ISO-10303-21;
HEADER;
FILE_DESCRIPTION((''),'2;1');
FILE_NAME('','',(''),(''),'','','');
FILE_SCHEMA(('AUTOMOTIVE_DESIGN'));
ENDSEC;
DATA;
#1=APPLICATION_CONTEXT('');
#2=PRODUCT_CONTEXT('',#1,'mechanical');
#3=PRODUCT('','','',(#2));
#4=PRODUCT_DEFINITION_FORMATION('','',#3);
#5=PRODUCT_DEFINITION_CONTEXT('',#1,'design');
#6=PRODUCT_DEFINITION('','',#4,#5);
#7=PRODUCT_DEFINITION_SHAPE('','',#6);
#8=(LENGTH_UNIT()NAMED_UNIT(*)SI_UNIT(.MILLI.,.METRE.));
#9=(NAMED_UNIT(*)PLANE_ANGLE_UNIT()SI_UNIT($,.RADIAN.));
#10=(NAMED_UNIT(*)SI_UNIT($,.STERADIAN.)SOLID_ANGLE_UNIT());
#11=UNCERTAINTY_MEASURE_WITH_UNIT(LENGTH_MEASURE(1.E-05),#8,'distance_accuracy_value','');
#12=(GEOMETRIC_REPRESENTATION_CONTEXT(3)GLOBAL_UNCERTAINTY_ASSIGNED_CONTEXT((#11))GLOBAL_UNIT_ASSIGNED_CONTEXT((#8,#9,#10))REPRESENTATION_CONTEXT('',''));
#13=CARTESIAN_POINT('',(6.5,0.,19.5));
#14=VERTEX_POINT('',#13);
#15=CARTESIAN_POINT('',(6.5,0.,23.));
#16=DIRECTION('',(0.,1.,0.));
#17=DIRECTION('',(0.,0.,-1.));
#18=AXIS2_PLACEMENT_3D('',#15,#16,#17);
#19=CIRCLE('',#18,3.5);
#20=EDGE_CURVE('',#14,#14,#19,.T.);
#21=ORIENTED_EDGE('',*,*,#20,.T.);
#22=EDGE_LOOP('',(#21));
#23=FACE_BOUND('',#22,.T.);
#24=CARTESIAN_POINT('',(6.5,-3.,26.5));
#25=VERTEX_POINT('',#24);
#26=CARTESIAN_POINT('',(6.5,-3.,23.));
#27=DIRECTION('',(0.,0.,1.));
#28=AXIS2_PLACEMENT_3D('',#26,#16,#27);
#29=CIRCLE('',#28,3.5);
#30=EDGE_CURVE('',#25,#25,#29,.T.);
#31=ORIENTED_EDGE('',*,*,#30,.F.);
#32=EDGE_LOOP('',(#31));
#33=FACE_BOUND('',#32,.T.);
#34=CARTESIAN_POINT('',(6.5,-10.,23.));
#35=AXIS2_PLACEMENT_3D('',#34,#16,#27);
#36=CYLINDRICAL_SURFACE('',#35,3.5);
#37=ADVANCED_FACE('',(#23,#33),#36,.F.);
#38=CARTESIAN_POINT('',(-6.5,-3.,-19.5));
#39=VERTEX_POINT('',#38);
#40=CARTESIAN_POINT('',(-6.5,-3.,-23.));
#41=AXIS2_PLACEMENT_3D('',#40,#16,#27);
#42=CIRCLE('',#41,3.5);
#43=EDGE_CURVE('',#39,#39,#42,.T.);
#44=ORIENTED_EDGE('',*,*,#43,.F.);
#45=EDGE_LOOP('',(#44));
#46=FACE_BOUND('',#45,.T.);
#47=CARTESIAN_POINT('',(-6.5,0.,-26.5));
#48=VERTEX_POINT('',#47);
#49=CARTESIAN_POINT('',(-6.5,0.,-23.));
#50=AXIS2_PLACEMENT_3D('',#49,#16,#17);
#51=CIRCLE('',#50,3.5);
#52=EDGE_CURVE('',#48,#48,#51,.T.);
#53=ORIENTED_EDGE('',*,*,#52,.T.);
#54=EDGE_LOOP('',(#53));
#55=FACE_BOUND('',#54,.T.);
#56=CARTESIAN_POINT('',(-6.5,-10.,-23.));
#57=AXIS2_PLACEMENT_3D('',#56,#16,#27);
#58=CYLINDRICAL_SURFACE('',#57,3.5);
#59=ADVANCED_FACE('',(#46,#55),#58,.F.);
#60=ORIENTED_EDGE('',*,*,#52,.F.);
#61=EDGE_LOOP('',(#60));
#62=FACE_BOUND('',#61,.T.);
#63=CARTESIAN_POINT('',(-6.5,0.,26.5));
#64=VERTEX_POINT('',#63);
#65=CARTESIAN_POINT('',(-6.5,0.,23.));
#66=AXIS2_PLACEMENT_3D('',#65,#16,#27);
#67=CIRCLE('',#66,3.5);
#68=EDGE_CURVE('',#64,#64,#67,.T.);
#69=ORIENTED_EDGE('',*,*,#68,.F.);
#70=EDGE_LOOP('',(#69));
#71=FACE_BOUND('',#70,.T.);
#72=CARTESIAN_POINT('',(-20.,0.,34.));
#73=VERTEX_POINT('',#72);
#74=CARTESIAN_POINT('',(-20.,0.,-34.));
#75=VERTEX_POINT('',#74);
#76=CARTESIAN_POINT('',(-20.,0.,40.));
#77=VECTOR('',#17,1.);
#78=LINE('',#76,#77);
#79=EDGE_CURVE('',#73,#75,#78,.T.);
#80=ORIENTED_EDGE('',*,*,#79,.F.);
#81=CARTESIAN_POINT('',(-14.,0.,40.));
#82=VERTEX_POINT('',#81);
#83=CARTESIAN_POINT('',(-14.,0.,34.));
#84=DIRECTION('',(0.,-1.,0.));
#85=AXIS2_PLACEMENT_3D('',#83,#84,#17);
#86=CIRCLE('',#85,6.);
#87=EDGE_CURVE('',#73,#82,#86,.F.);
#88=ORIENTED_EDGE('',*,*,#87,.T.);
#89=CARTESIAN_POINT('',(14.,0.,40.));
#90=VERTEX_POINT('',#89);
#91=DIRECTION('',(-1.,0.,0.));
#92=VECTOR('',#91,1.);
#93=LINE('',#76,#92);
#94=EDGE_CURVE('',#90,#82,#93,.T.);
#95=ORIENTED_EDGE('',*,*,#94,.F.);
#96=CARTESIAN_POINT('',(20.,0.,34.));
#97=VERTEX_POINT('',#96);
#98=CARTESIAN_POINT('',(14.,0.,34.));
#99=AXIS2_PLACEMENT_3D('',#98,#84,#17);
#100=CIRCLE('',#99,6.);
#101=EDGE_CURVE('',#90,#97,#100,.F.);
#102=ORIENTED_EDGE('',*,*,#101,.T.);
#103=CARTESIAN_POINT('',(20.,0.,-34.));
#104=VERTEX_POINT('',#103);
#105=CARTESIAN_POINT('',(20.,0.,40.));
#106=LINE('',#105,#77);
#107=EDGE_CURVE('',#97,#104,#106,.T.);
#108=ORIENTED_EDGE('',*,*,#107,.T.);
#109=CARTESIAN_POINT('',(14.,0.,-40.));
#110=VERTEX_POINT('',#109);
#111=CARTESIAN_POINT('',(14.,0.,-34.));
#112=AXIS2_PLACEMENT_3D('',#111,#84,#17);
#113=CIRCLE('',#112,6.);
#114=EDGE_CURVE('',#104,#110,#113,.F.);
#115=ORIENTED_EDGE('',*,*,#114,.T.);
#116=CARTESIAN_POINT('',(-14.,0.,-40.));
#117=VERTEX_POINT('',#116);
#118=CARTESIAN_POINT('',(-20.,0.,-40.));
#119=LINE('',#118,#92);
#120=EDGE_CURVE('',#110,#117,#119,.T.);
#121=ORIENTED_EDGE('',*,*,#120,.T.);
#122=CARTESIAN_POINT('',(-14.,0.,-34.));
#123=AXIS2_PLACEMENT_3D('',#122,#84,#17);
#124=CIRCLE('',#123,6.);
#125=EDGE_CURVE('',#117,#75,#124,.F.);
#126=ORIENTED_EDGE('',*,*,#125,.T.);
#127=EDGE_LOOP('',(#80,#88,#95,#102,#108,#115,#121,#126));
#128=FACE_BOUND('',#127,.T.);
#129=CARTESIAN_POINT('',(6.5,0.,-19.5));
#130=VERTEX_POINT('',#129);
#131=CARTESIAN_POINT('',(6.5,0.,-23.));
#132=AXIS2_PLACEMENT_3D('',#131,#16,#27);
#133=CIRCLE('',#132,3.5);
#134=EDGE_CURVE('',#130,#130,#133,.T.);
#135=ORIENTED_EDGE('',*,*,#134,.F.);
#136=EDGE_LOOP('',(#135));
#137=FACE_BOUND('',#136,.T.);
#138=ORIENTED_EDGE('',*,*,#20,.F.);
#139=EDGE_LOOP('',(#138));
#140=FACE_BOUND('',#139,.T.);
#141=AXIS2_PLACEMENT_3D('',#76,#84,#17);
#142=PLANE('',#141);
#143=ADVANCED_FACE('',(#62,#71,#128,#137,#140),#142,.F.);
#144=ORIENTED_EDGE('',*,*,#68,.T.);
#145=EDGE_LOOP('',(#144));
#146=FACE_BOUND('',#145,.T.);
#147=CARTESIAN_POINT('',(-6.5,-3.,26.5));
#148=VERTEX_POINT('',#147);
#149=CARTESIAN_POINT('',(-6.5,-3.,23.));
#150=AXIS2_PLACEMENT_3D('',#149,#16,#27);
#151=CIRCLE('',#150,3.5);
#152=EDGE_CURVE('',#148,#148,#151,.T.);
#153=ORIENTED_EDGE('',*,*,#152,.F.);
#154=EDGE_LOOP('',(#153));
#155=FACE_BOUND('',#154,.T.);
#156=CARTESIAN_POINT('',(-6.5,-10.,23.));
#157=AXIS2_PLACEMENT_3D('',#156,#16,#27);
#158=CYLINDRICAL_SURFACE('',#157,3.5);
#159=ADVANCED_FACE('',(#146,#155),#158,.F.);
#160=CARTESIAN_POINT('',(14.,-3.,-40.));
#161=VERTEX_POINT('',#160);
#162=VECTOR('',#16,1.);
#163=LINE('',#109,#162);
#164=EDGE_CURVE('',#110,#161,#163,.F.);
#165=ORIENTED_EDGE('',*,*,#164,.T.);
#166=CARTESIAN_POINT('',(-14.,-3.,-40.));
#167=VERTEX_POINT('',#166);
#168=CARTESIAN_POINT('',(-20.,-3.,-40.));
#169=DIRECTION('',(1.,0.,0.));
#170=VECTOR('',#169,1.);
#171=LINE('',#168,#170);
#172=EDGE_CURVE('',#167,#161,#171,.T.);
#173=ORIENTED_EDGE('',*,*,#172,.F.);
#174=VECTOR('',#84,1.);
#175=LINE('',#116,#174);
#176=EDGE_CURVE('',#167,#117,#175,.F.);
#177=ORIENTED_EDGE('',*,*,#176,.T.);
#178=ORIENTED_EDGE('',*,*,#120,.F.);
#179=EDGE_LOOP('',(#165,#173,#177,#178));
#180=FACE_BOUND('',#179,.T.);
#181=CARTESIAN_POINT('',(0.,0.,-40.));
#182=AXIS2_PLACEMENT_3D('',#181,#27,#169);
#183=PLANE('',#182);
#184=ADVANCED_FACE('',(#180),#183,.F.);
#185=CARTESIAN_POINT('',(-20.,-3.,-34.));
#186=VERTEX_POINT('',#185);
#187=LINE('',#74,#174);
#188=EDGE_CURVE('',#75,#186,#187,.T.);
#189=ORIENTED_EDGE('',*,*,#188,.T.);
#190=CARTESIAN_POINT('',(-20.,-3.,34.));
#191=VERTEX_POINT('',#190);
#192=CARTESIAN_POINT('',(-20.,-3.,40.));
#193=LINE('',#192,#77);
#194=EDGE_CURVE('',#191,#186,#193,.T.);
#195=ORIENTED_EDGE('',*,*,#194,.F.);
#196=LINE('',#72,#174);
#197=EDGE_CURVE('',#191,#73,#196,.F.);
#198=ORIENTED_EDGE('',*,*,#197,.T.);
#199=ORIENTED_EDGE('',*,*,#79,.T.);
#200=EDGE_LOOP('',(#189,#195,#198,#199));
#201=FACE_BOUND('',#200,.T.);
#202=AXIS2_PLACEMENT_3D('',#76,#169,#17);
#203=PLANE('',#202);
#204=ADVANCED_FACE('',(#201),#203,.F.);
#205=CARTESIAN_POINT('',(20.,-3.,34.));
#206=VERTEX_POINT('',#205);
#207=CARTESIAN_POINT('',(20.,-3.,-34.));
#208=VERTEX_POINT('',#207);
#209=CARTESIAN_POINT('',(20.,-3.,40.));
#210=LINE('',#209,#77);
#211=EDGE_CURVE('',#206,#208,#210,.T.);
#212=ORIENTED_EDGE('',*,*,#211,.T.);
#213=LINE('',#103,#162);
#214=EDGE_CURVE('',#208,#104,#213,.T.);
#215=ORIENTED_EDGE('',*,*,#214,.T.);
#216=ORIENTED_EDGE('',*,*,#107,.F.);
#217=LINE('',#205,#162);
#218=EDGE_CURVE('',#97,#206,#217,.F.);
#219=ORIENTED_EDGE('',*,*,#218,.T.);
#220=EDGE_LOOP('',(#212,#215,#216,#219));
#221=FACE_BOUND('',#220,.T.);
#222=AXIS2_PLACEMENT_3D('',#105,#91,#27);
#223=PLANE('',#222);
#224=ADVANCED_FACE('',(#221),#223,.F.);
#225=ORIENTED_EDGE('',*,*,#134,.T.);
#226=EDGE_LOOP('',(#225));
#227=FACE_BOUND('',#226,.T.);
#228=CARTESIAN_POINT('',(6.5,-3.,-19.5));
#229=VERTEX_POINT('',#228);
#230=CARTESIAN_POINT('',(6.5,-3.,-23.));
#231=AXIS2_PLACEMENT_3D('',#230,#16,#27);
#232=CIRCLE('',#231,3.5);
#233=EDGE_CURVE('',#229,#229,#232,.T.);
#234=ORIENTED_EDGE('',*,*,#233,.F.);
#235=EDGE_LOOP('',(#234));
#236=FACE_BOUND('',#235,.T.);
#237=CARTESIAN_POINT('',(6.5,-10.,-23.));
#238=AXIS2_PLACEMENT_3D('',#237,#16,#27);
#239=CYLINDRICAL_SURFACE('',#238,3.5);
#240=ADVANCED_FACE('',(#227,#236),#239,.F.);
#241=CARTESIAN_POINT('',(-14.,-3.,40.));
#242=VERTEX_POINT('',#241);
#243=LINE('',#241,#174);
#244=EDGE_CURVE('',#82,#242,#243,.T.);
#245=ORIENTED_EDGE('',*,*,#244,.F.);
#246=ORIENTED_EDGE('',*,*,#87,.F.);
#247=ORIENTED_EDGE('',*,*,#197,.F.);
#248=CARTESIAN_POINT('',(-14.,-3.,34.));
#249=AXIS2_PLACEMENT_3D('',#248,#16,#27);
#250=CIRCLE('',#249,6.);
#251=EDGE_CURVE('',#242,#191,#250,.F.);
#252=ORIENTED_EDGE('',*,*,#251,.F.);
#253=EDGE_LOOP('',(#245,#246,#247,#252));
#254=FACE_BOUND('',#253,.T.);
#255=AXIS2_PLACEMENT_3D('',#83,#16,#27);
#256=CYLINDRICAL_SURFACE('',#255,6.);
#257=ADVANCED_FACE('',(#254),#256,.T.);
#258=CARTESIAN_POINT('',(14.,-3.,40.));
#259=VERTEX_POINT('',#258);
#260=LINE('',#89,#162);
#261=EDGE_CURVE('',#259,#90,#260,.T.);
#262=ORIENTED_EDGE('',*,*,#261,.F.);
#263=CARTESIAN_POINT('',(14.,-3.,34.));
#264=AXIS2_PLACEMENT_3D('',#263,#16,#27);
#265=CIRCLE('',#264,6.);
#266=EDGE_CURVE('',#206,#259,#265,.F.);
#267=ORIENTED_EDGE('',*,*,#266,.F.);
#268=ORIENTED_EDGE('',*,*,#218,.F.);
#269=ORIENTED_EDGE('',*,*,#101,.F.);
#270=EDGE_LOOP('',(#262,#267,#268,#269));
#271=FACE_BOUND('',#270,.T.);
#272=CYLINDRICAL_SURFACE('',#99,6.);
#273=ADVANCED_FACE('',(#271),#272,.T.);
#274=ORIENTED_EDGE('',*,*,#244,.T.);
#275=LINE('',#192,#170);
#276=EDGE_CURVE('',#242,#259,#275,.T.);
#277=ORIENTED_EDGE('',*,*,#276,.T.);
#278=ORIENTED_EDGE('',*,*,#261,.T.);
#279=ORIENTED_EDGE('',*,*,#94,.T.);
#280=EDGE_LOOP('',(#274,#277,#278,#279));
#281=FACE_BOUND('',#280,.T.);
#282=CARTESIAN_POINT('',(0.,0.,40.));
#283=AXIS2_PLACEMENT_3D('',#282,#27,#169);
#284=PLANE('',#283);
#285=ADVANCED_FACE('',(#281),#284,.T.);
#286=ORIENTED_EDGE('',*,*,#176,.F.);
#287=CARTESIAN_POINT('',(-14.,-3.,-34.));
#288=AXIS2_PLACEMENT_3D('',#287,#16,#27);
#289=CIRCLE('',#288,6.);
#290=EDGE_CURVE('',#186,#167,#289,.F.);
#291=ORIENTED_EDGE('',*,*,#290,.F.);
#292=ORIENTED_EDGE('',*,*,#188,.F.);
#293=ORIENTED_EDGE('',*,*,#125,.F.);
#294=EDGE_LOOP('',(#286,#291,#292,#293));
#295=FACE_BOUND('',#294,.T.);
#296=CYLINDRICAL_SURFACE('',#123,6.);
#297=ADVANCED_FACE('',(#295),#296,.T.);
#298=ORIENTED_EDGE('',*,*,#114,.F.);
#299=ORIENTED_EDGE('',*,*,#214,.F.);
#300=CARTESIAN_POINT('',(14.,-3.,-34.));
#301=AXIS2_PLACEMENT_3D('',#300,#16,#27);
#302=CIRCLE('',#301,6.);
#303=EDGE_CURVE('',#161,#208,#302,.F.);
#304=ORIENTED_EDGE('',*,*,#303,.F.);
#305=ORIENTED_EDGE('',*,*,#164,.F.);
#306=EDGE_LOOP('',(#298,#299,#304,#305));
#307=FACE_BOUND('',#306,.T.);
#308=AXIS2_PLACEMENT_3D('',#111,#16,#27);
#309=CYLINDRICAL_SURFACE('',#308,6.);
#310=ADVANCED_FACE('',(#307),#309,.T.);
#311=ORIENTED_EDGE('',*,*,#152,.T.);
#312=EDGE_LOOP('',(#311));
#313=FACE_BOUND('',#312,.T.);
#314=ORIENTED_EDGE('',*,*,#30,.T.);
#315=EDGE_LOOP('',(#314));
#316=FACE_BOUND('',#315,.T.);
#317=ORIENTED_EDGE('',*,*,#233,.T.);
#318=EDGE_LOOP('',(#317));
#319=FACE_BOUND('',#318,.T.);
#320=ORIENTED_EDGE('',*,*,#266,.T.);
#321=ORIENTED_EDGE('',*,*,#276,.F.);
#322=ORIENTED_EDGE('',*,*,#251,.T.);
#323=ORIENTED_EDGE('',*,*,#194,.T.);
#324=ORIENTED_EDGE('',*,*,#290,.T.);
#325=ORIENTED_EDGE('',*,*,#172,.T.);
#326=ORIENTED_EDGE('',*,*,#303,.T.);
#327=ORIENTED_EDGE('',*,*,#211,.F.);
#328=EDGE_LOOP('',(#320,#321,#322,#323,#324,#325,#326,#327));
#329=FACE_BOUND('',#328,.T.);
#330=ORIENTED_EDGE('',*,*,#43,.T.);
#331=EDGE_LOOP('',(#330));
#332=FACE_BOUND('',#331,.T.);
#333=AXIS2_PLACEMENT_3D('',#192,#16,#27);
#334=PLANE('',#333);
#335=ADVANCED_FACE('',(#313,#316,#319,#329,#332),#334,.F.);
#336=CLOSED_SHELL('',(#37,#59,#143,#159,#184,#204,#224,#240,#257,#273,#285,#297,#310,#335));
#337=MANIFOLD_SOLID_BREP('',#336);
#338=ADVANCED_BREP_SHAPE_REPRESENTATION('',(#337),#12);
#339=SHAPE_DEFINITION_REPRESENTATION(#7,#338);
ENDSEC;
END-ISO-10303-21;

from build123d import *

# Parameters (mm, degrees)
SKIZZE1_W                       = 40
SKIZZE1_H                       = 3
AUFSATZ_LINEAR_AUSTRAGEN1_DEPTH = 40
VERRUNDUNG1_R                   = 6
SKIZZE2_R                       = 3.5
SCHNITT_LINEAR_AUSTRAGEN1_DEPTH = 10


with BuildPart() as part:
    # Skizze1 → Aufsatz-Linear austragen1 (new, symmetric)
    with BuildSketch(Plane.XY):
        with Locations((0, -1.5)):
            Rectangle(SKIZZE1_W, SKIZZE1_H)
    extrude(amount=AUFSATZ_LINEAR_AUSTRAGEN1_DEPTH, both=True)

    # Verrundung1
    verrundung1_edges = [part.edges().sort_by_distance(p)[0] for p in [
        (20, -1.5, 40),
        (-20, -1.5, 40),
        (20, -1.5, -40),
        (-20, -1.5, -40),
    ]]
    fillet(verrundung1_edges, radius=VERRUNDUNG1_R)

    # Skizze2 → Schnitt-Linear austragen1 (cut)
    with BuildSketch(Plane(origin=(0, 0, 0), x_dir=(1, 0, 0), z_dir=(0, 1, 0))):
        with Locations(Location((6.5, 23, 0), (0, 0, 270))):
            Circle(SKIZZE2_R)
        with Locations(Location((-6.5, 23, 0), (0, 0, 270))):
            Circle(SKIZZE2_R)
        with Locations(Location((6.5, -23, 0), (0, 0, 270))):
            Circle(SKIZZE2_R)
        with Locations(Location((-6.5, -23, 0), (0, 0, 270))):
            Circle(SKIZZE2_R)
    extrude(amount=-SCHNITT_LINEAR_AUSTRAGEN1_DEPTH, mode=Mode.SUBTRACT)


solid = part.part
